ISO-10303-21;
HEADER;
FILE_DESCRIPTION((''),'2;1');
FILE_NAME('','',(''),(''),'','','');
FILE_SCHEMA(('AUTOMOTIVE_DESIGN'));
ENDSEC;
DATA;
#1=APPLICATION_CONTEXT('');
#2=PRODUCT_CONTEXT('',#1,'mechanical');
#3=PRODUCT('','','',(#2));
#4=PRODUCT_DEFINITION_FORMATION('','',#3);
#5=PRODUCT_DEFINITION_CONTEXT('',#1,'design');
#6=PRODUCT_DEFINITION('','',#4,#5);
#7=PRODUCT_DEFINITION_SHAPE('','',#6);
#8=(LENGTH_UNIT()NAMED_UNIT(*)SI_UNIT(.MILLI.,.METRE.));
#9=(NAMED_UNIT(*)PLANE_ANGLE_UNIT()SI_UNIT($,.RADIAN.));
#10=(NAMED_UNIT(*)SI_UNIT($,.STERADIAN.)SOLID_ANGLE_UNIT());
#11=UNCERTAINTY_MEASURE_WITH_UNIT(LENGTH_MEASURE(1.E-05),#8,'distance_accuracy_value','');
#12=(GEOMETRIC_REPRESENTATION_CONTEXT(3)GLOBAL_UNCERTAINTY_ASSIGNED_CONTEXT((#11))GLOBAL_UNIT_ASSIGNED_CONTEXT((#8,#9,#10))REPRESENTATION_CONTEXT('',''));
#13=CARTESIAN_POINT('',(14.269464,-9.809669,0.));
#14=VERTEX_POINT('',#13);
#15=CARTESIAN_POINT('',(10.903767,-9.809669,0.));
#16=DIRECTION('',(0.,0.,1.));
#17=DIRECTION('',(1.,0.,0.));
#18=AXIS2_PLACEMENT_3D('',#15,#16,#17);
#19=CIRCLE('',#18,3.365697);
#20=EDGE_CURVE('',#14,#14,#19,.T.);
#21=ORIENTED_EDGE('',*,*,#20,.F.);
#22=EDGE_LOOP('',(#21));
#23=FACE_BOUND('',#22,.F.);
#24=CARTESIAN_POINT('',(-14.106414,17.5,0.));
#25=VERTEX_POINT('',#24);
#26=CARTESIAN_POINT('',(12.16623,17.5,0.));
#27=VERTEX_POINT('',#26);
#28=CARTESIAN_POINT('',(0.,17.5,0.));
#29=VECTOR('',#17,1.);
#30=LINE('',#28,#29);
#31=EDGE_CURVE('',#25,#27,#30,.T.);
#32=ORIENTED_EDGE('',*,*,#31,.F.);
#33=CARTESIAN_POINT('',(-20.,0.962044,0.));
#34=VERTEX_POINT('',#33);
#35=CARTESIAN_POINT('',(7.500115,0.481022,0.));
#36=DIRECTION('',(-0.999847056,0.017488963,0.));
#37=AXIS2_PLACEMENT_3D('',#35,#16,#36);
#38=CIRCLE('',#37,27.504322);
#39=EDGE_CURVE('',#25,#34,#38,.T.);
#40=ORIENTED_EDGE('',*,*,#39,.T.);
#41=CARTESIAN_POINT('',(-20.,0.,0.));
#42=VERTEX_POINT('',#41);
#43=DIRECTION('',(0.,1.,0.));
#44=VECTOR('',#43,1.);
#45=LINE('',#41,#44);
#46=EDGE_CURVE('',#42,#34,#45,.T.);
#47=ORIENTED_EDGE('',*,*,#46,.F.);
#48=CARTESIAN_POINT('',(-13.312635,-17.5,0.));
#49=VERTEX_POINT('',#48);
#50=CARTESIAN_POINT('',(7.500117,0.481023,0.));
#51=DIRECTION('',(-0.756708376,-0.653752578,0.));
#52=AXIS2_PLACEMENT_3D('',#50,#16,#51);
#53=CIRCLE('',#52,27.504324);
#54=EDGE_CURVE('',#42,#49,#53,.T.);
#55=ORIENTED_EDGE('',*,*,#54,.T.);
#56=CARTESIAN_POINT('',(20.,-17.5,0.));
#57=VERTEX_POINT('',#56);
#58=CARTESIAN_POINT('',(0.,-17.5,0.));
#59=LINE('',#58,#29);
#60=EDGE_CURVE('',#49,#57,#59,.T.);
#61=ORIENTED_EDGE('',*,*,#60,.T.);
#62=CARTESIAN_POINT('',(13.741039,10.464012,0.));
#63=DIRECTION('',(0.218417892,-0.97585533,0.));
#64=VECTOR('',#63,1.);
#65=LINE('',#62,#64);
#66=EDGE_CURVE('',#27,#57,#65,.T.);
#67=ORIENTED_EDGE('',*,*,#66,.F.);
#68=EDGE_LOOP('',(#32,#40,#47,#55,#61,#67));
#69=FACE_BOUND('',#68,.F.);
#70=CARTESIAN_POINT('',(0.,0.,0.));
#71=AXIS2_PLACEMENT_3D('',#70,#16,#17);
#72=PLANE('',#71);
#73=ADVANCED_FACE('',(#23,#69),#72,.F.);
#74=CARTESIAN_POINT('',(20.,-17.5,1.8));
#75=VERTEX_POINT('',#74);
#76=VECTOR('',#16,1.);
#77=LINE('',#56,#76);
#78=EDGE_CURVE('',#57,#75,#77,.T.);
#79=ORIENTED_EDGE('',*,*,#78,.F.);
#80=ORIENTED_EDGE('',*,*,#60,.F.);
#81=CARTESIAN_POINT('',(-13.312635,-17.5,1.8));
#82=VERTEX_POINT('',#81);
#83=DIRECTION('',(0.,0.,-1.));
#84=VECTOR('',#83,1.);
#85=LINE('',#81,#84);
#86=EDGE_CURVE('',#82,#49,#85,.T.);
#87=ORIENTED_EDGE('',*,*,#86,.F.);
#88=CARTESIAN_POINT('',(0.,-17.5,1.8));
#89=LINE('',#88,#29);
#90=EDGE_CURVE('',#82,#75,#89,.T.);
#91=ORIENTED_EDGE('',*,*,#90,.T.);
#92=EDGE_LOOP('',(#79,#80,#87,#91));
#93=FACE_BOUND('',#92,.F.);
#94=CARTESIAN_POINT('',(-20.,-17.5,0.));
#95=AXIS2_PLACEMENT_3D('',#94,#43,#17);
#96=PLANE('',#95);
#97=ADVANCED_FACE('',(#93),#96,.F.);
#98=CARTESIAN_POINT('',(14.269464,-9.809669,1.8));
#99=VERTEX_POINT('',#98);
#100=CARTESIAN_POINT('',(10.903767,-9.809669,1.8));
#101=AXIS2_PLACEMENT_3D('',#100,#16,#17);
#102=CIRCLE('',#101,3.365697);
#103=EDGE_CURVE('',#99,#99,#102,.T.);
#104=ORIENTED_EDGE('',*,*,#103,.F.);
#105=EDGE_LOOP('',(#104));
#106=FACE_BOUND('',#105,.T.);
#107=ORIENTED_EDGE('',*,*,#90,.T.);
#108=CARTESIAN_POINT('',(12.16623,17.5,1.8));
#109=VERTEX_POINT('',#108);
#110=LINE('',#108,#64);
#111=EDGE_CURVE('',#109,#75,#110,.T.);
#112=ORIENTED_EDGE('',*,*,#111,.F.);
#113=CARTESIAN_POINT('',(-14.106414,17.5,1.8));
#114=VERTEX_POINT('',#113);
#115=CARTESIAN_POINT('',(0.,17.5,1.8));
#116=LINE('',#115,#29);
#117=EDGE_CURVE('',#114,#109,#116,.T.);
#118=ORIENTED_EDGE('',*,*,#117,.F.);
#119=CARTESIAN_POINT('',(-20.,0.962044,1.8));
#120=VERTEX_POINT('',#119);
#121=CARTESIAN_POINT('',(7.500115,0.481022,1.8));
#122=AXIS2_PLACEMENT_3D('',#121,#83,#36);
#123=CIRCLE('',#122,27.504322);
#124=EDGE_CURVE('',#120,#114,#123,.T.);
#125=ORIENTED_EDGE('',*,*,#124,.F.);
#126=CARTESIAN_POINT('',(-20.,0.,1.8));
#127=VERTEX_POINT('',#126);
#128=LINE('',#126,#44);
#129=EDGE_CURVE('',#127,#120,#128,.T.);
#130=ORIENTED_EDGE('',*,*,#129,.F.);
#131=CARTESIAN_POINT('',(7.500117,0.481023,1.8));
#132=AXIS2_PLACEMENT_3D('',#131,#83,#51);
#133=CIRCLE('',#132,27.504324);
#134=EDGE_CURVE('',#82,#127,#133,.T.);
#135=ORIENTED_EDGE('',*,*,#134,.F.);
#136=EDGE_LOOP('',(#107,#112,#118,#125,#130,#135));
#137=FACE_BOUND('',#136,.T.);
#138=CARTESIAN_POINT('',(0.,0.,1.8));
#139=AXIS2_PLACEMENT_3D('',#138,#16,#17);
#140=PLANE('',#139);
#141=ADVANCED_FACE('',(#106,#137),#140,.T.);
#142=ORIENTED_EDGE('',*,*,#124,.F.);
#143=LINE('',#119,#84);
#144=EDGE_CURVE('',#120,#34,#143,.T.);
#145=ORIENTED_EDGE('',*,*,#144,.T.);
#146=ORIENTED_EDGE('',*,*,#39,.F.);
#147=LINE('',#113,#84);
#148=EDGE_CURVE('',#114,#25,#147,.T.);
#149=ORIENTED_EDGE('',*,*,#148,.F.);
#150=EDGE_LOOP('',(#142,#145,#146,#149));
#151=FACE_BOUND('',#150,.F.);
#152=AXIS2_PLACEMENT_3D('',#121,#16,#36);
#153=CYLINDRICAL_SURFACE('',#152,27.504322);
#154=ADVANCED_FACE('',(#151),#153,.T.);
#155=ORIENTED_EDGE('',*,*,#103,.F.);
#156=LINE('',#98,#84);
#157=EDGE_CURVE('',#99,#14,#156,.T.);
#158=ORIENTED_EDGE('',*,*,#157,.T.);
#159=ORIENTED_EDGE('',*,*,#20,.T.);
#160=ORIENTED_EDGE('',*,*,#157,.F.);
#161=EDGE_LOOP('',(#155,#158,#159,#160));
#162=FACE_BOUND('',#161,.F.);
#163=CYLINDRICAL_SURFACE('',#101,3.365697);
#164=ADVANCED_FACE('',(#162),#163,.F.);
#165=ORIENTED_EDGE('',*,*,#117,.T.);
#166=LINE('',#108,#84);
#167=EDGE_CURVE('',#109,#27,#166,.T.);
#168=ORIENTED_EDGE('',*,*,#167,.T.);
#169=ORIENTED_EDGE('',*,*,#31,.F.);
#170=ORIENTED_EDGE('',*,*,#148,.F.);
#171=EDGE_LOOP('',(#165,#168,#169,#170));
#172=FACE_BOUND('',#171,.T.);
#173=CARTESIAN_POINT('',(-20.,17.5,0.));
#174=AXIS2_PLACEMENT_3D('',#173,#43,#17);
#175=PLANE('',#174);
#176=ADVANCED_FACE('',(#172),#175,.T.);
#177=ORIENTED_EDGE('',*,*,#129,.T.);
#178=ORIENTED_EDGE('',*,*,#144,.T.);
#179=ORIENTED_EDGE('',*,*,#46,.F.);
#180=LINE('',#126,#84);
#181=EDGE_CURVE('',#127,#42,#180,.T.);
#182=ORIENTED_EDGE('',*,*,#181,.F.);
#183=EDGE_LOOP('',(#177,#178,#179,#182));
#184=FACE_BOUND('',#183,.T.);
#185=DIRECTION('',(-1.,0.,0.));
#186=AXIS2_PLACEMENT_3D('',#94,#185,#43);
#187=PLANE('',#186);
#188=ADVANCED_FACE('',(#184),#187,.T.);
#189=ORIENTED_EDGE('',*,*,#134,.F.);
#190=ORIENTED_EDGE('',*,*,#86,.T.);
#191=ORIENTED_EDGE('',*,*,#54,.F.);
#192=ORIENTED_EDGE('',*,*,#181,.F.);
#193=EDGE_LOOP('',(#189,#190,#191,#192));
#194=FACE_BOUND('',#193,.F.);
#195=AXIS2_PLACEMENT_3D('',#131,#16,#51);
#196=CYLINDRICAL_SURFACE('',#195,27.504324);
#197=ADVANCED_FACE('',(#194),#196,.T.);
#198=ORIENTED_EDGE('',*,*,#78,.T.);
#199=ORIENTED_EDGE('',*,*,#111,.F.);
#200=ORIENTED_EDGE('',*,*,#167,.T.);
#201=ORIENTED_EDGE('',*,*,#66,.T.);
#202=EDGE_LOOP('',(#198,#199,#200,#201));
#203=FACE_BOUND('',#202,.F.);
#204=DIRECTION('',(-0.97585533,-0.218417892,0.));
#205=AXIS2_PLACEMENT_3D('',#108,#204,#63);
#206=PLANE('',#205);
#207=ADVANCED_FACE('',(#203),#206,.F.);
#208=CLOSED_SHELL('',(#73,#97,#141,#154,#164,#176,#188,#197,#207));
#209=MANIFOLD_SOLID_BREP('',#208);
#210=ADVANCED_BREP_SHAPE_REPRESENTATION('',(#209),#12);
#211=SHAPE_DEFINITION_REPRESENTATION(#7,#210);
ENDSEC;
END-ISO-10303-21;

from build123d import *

# Parameters (mm, degrees)
F0_W     = 40
F0_H     = 35
F1_DEPTH = 1.8
F3_DEPTH = 1.801
F5_DEPTH = 1.801
F6_R     = 3.365697
F7_DEPTH = 1.801


with BuildPart() as f1:
    # F0 (on Top) → F1 (new body)
    with BuildSketch(Plane.XY):
        Rectangle(F0_W, F0_H)
    extrude(amount=F1_DEPTH)

    # F2 (on face) → F3 (cut, through all)
    with BuildSketch(Plane.XY.offset(1.8)):
        Polygon((20, 17.5), (12.16623, 17.5), (20, -17.5), align=None)
    extrude(amount=-F3_DEPTH, mode=Mode.SUBTRACT)

    # F4 (on face) → F5 (cut, through all)
    with BuildSketch(Plane.XY.offset(1.8)):
        with BuildLine():
            ThreePointArc((-13.312635, -17.5), (-18.192213, -9.33692), (-20, 0))
            Line((-20, 0), (-20, -17.5))
            Line((-20, -17.5), (-13.312635, -17.5))
        make_face()
        with BuildLine():
            ThreePointArc((-20, 0.962044), (-18.408216, 9.713903), (-14.106414, 17.5))
            Line((-14.106414, 17.5), (-20, 17.5))
            Line((-20, 17.5), (-20, 0.962044))
        make_face()
    extrude(amount=-F5_DEPTH, mode=Mode.SUBTRACT)

    # F6 (on face) → F7 (cut, through all)
    with BuildSketch(Plane.XY.offset(1.8)):
        with Locations((10.903767, -9.809669)):
            Circle(F6_R)
    extrude(amount=-F7_DEPTH, mode=Mode.SUBTRACT)


solid = f1.part
